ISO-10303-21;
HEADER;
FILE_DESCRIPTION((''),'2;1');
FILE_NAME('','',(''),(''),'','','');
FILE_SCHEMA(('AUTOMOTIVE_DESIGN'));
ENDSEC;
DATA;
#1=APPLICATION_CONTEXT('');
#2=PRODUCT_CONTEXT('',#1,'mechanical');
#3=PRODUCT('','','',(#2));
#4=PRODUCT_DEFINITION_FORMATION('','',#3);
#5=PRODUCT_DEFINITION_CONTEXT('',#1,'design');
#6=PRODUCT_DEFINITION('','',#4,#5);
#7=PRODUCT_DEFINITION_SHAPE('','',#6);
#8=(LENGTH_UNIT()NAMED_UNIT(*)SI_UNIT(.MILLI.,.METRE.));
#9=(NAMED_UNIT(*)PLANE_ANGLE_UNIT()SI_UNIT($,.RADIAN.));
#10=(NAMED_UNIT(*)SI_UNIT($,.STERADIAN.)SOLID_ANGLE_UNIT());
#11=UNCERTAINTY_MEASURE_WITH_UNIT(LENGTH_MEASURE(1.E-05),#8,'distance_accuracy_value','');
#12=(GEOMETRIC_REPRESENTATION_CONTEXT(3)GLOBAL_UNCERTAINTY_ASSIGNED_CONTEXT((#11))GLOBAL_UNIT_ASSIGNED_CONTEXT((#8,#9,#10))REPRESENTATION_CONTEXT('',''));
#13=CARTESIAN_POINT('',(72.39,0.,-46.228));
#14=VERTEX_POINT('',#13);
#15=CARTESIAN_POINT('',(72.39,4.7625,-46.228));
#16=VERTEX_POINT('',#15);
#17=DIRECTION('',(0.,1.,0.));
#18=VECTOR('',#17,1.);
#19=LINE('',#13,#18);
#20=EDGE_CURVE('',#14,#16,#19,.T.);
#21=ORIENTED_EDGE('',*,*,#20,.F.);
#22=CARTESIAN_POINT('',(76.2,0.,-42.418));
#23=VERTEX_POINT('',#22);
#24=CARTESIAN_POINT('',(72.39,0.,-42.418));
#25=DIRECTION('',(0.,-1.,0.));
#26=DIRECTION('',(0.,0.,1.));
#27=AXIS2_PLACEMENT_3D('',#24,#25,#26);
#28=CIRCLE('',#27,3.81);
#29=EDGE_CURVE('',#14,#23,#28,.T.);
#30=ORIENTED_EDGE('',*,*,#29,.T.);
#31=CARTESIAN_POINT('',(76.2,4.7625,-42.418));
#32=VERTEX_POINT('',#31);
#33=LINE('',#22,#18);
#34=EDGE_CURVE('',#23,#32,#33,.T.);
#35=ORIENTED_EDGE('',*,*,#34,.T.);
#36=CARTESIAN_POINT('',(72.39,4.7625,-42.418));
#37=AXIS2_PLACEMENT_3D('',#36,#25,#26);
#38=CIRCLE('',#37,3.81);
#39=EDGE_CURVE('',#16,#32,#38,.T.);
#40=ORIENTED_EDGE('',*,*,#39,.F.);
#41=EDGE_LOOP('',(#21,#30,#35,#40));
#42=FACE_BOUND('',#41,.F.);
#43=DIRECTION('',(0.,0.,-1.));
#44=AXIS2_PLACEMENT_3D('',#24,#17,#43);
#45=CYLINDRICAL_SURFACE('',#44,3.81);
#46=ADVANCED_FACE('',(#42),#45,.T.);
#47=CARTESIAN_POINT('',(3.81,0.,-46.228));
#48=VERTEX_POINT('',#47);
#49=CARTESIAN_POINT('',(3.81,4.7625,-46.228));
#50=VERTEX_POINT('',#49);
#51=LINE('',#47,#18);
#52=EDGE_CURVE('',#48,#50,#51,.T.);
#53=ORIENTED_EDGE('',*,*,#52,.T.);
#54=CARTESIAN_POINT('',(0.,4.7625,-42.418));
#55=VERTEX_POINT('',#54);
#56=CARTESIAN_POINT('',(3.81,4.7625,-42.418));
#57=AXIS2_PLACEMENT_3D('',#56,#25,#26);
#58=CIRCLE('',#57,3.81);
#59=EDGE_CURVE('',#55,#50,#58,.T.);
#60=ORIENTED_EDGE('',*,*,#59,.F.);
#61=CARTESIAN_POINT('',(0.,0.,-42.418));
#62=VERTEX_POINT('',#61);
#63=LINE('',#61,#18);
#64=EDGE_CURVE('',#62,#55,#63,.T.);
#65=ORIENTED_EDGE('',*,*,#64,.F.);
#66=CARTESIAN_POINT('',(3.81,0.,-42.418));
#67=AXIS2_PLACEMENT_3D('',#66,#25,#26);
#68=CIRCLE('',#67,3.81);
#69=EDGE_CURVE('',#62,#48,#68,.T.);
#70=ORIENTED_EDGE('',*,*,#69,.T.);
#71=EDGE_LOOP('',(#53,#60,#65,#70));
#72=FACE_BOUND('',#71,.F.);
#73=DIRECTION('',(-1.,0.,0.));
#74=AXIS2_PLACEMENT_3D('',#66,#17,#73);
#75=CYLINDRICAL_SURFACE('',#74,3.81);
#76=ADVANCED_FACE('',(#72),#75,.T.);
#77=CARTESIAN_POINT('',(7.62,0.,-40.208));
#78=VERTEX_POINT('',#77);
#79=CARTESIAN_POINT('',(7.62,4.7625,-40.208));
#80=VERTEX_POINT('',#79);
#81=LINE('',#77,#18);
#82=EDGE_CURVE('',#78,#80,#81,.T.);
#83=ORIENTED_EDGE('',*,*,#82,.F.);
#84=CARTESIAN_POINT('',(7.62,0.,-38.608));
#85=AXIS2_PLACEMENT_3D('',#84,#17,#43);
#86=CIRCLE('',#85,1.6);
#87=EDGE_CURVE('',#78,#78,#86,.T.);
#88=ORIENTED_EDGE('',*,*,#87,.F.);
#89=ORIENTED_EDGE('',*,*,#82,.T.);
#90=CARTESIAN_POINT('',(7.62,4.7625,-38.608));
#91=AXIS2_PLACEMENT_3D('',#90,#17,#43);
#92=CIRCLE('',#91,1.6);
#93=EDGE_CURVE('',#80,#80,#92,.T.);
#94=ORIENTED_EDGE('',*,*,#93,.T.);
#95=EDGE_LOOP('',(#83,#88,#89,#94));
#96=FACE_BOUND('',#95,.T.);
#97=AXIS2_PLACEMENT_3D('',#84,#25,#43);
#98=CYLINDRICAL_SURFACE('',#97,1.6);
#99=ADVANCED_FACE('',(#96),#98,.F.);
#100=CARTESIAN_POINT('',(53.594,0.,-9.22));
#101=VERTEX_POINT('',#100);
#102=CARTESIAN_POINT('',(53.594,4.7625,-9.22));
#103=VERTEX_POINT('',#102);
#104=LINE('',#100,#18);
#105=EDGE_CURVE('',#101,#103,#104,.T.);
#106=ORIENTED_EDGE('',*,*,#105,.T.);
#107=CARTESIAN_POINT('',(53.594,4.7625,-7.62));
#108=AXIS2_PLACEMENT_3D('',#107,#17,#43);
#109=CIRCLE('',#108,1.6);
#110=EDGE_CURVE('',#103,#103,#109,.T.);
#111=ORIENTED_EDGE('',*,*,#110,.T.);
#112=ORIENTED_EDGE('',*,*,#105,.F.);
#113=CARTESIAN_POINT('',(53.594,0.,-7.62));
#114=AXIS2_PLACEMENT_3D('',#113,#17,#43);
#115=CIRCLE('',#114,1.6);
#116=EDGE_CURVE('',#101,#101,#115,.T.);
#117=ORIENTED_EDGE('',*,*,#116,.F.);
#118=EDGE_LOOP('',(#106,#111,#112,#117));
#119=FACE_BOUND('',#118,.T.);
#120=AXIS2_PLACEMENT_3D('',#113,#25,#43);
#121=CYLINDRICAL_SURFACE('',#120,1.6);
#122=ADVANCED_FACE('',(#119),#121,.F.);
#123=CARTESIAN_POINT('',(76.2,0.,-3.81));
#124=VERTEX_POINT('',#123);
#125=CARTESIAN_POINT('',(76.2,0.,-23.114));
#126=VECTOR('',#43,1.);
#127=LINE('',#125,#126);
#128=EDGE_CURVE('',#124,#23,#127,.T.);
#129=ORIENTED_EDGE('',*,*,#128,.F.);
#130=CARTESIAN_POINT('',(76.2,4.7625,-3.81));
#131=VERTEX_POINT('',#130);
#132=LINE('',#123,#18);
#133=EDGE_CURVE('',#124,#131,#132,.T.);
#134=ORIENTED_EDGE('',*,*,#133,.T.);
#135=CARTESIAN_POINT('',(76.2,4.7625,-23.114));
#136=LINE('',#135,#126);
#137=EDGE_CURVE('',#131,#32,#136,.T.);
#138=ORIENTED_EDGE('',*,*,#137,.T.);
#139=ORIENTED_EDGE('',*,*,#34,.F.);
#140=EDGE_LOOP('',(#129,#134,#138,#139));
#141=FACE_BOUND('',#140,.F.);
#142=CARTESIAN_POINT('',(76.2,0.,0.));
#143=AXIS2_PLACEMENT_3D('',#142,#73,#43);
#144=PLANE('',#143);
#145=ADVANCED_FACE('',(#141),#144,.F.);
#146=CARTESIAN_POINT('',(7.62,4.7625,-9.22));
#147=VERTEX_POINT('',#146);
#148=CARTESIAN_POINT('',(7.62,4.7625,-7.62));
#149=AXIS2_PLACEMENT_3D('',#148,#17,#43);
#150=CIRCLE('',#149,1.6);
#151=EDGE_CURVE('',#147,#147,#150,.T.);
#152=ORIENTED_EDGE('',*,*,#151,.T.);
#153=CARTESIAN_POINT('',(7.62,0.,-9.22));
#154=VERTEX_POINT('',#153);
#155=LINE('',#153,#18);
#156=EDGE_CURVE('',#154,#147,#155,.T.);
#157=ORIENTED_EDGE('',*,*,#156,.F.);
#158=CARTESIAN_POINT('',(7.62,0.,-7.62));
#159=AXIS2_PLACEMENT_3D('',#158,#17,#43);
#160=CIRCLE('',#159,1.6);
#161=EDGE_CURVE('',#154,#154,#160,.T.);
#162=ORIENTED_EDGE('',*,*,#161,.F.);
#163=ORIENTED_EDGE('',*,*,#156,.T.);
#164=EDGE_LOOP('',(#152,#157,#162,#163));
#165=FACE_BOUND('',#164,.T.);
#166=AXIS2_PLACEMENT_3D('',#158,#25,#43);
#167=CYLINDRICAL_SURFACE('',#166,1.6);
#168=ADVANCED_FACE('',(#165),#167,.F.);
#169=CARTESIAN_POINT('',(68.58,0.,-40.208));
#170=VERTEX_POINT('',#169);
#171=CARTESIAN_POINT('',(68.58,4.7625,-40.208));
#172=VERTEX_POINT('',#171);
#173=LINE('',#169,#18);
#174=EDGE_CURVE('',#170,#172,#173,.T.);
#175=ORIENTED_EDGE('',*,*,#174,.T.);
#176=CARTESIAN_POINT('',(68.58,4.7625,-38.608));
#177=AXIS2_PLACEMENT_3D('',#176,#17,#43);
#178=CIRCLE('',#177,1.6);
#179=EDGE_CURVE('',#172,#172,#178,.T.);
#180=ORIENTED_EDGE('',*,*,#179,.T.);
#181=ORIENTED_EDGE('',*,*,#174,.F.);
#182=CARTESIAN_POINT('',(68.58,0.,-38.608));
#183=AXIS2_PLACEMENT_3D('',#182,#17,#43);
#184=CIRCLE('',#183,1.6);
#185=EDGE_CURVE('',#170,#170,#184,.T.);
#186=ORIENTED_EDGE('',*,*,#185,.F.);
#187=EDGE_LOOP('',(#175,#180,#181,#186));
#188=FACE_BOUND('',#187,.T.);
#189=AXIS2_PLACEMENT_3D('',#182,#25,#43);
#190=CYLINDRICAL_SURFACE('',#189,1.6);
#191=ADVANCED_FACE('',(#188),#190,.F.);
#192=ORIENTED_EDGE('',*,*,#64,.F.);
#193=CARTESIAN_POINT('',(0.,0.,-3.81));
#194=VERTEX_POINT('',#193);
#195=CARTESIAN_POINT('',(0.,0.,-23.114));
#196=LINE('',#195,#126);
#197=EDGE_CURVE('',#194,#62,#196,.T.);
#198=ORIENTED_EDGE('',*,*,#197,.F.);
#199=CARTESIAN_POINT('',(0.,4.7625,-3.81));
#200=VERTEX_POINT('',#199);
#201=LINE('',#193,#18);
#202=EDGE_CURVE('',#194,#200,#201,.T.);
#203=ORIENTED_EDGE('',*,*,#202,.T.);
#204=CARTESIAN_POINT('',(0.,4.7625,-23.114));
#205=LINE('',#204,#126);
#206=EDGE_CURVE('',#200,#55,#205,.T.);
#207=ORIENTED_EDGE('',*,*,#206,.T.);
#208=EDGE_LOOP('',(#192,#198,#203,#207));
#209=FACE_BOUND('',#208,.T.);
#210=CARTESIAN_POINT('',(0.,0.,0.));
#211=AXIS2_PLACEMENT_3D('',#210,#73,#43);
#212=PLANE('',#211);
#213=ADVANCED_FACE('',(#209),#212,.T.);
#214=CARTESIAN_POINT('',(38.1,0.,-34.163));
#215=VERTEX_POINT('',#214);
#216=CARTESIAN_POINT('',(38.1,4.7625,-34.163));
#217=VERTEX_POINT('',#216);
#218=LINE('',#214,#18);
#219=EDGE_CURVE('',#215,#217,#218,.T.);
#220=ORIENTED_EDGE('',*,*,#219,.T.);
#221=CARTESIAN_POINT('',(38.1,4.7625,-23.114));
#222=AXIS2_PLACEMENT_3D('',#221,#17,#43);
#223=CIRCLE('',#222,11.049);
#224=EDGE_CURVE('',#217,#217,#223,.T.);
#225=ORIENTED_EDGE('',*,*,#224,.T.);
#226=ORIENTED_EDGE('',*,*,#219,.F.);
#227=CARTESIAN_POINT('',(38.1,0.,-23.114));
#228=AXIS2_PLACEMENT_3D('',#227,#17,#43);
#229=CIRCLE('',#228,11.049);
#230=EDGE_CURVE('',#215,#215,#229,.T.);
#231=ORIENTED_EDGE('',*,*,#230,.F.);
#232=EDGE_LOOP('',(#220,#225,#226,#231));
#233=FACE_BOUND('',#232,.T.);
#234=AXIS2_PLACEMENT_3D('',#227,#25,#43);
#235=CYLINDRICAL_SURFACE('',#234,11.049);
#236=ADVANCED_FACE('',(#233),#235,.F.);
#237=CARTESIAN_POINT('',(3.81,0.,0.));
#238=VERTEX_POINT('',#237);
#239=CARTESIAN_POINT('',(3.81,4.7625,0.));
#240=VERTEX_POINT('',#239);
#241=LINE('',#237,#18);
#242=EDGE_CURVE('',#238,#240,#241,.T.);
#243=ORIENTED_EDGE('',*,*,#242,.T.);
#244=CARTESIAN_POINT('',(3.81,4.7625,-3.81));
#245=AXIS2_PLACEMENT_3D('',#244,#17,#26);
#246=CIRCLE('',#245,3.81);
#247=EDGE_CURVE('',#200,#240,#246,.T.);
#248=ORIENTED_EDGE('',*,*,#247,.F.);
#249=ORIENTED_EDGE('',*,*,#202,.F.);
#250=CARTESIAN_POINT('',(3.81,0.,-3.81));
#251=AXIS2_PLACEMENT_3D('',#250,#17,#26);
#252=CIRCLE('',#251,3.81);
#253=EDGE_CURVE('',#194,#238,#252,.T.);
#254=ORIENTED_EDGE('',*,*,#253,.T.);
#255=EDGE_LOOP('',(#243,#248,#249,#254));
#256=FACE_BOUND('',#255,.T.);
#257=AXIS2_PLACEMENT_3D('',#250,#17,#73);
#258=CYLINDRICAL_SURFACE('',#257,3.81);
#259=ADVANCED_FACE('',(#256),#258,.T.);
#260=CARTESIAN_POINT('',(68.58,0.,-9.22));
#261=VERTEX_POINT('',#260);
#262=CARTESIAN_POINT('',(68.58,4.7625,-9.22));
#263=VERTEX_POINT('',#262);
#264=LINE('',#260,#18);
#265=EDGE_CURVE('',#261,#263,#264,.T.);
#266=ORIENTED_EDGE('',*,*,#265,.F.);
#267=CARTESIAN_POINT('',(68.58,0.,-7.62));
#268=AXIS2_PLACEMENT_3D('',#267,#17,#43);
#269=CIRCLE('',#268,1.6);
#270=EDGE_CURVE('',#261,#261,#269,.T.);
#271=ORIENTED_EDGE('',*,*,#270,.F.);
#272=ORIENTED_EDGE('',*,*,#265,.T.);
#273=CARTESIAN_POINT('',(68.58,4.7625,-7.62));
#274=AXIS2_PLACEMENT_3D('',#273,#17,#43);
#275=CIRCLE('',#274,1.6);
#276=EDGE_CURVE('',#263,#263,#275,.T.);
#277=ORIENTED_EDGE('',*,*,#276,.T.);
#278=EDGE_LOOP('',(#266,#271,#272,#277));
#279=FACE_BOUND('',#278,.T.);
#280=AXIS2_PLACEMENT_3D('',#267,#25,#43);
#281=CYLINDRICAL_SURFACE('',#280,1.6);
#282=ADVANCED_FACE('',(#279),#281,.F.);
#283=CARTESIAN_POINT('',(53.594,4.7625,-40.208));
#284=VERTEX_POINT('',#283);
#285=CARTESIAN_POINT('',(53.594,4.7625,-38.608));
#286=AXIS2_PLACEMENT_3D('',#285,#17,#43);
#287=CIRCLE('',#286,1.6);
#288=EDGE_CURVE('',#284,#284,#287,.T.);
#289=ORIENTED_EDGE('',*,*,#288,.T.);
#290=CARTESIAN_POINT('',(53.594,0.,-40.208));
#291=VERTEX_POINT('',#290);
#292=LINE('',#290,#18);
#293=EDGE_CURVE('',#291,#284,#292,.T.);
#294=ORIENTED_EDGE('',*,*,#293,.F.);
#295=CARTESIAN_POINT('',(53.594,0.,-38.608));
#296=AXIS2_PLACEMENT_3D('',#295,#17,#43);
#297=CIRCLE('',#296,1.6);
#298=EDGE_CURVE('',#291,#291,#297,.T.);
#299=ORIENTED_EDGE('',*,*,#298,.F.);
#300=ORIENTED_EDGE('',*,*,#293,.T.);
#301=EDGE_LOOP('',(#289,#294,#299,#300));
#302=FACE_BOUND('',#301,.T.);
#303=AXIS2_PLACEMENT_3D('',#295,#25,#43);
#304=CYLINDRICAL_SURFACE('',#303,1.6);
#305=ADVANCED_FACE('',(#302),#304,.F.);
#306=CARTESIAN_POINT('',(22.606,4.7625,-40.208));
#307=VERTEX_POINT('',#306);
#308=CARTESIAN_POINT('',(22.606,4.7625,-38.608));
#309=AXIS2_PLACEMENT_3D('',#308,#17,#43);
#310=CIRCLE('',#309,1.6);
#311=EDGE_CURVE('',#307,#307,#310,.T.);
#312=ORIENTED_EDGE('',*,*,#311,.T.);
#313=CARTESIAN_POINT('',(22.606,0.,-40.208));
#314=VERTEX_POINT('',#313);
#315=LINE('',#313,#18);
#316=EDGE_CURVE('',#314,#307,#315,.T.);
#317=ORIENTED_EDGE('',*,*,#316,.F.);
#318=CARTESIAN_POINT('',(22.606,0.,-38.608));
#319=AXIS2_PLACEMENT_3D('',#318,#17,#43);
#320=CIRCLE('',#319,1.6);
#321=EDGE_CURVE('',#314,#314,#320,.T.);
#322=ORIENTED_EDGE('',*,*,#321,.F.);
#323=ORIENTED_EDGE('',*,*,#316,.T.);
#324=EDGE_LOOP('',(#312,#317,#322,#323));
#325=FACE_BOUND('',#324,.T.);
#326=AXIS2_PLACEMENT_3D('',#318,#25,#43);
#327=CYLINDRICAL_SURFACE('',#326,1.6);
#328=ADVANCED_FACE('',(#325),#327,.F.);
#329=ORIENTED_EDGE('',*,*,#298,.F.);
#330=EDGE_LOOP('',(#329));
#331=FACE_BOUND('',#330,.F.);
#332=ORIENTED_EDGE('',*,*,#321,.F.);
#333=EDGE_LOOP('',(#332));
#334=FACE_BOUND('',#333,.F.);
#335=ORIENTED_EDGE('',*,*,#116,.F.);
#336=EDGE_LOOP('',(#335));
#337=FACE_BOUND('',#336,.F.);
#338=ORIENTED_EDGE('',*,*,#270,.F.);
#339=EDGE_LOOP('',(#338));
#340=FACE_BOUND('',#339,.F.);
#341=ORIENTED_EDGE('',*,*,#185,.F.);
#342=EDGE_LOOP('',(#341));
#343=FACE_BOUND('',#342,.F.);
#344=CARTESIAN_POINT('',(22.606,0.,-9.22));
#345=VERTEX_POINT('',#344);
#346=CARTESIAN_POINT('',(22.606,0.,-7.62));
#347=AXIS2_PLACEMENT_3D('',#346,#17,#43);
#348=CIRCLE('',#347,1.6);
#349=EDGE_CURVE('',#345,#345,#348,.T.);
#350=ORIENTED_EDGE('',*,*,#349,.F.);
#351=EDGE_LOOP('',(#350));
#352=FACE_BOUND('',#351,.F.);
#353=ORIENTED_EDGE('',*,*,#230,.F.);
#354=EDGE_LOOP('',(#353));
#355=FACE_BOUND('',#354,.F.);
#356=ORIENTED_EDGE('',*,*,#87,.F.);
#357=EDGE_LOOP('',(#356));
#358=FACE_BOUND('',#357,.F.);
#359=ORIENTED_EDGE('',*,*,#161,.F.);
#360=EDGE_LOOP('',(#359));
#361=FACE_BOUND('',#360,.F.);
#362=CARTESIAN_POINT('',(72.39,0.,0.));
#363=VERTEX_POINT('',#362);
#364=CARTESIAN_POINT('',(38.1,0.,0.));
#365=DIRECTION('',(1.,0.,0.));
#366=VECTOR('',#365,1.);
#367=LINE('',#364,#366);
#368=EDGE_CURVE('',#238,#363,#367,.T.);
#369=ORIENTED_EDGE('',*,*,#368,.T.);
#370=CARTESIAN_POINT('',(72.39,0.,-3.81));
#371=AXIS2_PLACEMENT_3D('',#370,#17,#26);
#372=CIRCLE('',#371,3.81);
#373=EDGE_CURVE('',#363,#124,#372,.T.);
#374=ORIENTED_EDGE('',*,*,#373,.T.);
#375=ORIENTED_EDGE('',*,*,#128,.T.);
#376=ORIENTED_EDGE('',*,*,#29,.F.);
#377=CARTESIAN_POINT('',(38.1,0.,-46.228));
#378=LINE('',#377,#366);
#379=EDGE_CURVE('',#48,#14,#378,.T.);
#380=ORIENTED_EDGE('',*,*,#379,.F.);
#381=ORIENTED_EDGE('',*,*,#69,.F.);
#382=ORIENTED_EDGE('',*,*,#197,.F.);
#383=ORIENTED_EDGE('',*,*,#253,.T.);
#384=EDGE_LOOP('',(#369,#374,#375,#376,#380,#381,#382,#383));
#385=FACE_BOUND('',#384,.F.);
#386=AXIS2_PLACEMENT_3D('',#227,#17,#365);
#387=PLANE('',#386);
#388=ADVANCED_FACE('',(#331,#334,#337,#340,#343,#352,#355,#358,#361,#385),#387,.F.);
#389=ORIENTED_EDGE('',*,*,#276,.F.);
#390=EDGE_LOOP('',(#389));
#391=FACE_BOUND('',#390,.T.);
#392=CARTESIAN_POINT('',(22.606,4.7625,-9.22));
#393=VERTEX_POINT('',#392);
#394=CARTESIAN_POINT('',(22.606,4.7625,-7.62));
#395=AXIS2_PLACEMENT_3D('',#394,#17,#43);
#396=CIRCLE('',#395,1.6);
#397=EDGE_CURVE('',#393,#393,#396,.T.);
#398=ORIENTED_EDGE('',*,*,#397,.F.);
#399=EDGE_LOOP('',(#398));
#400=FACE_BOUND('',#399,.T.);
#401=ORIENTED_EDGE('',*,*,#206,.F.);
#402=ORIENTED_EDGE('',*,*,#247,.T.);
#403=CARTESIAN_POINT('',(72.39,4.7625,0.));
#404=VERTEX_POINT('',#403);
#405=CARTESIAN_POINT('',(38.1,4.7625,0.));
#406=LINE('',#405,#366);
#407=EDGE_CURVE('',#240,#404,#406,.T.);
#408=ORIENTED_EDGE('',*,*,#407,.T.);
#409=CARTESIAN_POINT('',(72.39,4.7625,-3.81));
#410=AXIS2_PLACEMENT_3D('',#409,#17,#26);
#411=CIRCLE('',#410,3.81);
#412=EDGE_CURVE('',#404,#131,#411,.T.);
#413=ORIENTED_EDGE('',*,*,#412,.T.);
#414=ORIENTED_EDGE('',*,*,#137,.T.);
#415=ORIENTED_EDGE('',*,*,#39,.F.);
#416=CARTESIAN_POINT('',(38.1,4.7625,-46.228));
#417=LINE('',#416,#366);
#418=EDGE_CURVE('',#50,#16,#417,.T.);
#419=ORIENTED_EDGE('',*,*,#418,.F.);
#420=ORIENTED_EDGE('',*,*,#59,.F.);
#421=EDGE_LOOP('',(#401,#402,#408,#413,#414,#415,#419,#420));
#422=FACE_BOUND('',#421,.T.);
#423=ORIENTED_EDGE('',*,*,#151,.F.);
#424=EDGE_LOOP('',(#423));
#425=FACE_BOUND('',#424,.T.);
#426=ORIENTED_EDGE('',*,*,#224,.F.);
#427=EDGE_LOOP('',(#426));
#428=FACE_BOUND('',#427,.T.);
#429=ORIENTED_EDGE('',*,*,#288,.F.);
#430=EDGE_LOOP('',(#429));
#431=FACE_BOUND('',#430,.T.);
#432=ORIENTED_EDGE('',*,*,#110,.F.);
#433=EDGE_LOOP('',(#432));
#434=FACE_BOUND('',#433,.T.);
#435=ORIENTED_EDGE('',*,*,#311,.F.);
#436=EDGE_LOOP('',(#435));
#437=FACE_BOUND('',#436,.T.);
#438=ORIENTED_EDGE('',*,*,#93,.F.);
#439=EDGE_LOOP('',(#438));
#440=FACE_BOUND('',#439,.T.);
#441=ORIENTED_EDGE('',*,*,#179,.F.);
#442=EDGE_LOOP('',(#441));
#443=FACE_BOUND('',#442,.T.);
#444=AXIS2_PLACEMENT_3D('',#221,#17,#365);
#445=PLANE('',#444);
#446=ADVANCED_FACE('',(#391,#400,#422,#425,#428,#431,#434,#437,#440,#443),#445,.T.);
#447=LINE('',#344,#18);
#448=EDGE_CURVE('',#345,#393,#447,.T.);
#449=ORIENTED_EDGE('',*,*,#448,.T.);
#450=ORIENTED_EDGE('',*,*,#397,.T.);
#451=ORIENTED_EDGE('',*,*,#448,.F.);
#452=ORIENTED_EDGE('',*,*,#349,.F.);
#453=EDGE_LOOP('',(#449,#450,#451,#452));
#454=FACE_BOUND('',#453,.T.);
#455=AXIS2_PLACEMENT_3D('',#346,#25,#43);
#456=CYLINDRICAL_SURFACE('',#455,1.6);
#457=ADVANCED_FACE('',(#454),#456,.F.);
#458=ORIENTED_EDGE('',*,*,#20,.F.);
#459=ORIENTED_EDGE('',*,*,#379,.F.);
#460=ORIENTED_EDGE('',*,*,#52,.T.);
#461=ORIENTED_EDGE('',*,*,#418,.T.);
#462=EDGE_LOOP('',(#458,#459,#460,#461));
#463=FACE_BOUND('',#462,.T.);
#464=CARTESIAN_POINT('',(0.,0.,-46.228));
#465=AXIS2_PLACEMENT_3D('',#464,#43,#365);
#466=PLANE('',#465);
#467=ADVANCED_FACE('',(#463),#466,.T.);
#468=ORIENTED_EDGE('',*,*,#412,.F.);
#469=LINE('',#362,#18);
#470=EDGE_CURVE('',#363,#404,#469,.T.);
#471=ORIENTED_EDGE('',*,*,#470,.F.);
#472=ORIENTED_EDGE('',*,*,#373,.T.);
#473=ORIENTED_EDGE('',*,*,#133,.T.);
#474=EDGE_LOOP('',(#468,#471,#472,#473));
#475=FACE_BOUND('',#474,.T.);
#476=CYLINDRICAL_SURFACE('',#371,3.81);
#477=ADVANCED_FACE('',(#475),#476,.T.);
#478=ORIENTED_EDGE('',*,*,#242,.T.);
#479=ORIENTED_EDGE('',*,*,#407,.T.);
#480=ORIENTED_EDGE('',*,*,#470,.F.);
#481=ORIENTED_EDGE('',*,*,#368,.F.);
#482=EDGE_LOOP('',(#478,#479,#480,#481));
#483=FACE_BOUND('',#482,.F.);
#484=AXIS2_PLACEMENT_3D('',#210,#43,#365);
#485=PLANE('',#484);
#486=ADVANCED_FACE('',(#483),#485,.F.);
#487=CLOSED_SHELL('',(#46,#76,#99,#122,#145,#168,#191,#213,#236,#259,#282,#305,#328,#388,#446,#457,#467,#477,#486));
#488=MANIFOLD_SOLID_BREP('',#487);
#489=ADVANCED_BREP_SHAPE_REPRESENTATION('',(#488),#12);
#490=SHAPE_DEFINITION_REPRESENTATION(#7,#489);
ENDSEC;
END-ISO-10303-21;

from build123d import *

# Parameters (mm, degrees)
SKETCH1_W           = 76.2
SKETCH1_H           = 46.228
SKETCH1_R           = 1.6
SKETCH1_R_2         = 11.049
BOSS_EXTRUDE1_DEPTH = 4.7625
FILLET1_R           = 3.81


with BuildPart() as part:
    # Sketch1 → Boss-Extrude1 (new body)
    with BuildSketch(Plane(origin=(0, 0, 0), x_dir=(1, 0, 0), z_dir=(0, 1, 0))):
        with Locations((38.1, 23.114)):
            Rectangle(SKETCH1_W, SKETCH1_H)
        with Locations(Location((68.58, 38.608, 0), (0, 0, 90))):
            Circle(SKETCH1_R, mode=Mode.SUBTRACT)
        with Locations(Location((7.62, 38.608, 0), (0, 0, 90))):
            Circle(SKETCH1_R, mode=Mode.SUBTRACT)
        with Locations(Location((68.58, 7.62, 0), (0, 0, 90))):
            Circle(SKETCH1_R, mode=Mode.SUBTRACT)
        with Locations(Location((7.62, 7.62, 0), (0, 0, 90))):
            Circle(SKETCH1_R, mode=Mode.SUBTRACT)
        with Locations(Location((38.1, 23.114, 0), (0, 0, 90))):
            Circle(SKETCH1_R_2, mode=Mode.SUBTRACT)
        with Locations(Location((22.606, 38.608, 0), (0, 0, 90))):
            Circle(SKETCH1_R, mode=Mode.SUBTRACT)
        with Locations(Location((53.594, 38.608, 0), (0, 0, 90))):
            Circle(SKETCH1_R, mode=Mode.SUBTRACT)
        with Locations(Location((22.606, 7.62, 0), (0, 0, 90))):
            Circle(SKETCH1_R, mode=Mode.SUBTRACT)
        with Locations(Location((53.594, 7.62, 0), (0, 0, 90))):
            Circle(SKETCH1_R, mode=Mode.SUBTRACT)
    extrude(amount=BOSS_EXTRUDE1_DEPTH)

    # Fillet1
    fillet1_edges = [part.edges().sort_by_distance(p)[0] for p in [
        (0, 2.38125, -46.228),
        (76.2, 2.38125, -46.228),
        (76.2, 2.38125, 0),
        (0, 2.38125, 0),
    ]]
    fillet(fillet1_edges, radius=FILLET1_R)


solid = part.part
